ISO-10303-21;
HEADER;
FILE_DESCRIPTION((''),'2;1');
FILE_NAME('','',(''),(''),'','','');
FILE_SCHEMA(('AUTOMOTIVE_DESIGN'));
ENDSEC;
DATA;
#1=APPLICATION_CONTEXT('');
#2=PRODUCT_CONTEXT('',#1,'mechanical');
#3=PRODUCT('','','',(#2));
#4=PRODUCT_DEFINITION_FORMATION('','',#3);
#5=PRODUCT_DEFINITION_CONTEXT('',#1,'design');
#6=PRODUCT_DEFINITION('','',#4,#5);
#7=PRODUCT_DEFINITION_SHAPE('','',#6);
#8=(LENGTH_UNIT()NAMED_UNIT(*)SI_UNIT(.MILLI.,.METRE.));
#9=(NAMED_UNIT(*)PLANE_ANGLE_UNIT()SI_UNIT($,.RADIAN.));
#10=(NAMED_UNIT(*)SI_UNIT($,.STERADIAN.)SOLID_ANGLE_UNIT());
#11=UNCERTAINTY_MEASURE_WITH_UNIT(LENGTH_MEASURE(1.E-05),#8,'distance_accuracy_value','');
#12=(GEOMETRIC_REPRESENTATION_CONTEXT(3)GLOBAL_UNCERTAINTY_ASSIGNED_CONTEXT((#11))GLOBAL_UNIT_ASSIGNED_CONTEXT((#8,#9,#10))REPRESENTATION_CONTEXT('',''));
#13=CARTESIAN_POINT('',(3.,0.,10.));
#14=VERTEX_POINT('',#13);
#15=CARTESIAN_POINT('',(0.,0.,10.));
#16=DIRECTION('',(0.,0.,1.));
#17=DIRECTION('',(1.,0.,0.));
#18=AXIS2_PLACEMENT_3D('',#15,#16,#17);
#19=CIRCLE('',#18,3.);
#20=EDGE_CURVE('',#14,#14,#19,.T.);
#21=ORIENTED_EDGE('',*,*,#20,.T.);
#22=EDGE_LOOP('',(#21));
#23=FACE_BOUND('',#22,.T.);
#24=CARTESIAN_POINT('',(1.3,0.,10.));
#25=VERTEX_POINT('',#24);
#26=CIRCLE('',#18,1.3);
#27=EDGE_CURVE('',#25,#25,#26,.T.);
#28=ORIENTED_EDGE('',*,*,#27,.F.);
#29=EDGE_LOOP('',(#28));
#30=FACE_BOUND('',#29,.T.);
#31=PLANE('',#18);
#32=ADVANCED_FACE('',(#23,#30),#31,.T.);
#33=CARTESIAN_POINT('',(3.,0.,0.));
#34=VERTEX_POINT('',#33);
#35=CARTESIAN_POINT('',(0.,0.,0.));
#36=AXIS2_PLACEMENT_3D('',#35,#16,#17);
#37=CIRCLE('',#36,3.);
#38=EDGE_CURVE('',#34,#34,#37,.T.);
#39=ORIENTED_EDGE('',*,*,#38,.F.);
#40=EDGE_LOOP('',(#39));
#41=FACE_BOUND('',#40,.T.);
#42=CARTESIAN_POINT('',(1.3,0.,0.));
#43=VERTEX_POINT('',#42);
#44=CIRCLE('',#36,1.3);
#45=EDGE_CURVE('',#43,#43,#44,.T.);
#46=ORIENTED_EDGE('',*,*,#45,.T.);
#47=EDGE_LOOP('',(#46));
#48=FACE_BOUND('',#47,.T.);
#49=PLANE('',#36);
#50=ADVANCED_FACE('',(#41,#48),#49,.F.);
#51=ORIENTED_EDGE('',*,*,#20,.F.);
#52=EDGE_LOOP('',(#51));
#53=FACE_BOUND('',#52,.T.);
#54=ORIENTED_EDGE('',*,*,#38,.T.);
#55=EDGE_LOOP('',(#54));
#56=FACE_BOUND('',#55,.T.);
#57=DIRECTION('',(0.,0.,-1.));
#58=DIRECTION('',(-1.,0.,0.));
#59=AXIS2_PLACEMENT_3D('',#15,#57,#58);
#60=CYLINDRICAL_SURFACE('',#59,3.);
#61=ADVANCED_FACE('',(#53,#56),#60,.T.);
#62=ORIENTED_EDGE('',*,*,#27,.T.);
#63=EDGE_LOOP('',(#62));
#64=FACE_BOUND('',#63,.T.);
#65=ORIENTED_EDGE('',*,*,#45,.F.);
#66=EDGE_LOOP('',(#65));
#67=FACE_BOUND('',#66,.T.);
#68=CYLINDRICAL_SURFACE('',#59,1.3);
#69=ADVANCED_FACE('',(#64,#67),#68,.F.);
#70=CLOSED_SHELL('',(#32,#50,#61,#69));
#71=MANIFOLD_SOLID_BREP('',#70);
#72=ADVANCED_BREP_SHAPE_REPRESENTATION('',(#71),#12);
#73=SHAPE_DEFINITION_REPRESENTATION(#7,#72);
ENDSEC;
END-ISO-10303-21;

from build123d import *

# Parameters (mm, degrees)
SKETCH_1_R      = 3
SKETCH_1_R_2    = 1.3
EXTRUDE_1_DEPTH = 10


with BuildPart() as part:
    # ｽｹｯﾁ1 → ﾎﾞｽ - 押し出し1 (new body)
    with BuildSketch(Plane.XY):
        Circle(SKETCH_1_R)
        Circle(SKETCH_1_R_2, mode=Mode.SUBTRACT)
    extrude(amount=EXTRUDE_1_DEPTH)


solid = part.part
